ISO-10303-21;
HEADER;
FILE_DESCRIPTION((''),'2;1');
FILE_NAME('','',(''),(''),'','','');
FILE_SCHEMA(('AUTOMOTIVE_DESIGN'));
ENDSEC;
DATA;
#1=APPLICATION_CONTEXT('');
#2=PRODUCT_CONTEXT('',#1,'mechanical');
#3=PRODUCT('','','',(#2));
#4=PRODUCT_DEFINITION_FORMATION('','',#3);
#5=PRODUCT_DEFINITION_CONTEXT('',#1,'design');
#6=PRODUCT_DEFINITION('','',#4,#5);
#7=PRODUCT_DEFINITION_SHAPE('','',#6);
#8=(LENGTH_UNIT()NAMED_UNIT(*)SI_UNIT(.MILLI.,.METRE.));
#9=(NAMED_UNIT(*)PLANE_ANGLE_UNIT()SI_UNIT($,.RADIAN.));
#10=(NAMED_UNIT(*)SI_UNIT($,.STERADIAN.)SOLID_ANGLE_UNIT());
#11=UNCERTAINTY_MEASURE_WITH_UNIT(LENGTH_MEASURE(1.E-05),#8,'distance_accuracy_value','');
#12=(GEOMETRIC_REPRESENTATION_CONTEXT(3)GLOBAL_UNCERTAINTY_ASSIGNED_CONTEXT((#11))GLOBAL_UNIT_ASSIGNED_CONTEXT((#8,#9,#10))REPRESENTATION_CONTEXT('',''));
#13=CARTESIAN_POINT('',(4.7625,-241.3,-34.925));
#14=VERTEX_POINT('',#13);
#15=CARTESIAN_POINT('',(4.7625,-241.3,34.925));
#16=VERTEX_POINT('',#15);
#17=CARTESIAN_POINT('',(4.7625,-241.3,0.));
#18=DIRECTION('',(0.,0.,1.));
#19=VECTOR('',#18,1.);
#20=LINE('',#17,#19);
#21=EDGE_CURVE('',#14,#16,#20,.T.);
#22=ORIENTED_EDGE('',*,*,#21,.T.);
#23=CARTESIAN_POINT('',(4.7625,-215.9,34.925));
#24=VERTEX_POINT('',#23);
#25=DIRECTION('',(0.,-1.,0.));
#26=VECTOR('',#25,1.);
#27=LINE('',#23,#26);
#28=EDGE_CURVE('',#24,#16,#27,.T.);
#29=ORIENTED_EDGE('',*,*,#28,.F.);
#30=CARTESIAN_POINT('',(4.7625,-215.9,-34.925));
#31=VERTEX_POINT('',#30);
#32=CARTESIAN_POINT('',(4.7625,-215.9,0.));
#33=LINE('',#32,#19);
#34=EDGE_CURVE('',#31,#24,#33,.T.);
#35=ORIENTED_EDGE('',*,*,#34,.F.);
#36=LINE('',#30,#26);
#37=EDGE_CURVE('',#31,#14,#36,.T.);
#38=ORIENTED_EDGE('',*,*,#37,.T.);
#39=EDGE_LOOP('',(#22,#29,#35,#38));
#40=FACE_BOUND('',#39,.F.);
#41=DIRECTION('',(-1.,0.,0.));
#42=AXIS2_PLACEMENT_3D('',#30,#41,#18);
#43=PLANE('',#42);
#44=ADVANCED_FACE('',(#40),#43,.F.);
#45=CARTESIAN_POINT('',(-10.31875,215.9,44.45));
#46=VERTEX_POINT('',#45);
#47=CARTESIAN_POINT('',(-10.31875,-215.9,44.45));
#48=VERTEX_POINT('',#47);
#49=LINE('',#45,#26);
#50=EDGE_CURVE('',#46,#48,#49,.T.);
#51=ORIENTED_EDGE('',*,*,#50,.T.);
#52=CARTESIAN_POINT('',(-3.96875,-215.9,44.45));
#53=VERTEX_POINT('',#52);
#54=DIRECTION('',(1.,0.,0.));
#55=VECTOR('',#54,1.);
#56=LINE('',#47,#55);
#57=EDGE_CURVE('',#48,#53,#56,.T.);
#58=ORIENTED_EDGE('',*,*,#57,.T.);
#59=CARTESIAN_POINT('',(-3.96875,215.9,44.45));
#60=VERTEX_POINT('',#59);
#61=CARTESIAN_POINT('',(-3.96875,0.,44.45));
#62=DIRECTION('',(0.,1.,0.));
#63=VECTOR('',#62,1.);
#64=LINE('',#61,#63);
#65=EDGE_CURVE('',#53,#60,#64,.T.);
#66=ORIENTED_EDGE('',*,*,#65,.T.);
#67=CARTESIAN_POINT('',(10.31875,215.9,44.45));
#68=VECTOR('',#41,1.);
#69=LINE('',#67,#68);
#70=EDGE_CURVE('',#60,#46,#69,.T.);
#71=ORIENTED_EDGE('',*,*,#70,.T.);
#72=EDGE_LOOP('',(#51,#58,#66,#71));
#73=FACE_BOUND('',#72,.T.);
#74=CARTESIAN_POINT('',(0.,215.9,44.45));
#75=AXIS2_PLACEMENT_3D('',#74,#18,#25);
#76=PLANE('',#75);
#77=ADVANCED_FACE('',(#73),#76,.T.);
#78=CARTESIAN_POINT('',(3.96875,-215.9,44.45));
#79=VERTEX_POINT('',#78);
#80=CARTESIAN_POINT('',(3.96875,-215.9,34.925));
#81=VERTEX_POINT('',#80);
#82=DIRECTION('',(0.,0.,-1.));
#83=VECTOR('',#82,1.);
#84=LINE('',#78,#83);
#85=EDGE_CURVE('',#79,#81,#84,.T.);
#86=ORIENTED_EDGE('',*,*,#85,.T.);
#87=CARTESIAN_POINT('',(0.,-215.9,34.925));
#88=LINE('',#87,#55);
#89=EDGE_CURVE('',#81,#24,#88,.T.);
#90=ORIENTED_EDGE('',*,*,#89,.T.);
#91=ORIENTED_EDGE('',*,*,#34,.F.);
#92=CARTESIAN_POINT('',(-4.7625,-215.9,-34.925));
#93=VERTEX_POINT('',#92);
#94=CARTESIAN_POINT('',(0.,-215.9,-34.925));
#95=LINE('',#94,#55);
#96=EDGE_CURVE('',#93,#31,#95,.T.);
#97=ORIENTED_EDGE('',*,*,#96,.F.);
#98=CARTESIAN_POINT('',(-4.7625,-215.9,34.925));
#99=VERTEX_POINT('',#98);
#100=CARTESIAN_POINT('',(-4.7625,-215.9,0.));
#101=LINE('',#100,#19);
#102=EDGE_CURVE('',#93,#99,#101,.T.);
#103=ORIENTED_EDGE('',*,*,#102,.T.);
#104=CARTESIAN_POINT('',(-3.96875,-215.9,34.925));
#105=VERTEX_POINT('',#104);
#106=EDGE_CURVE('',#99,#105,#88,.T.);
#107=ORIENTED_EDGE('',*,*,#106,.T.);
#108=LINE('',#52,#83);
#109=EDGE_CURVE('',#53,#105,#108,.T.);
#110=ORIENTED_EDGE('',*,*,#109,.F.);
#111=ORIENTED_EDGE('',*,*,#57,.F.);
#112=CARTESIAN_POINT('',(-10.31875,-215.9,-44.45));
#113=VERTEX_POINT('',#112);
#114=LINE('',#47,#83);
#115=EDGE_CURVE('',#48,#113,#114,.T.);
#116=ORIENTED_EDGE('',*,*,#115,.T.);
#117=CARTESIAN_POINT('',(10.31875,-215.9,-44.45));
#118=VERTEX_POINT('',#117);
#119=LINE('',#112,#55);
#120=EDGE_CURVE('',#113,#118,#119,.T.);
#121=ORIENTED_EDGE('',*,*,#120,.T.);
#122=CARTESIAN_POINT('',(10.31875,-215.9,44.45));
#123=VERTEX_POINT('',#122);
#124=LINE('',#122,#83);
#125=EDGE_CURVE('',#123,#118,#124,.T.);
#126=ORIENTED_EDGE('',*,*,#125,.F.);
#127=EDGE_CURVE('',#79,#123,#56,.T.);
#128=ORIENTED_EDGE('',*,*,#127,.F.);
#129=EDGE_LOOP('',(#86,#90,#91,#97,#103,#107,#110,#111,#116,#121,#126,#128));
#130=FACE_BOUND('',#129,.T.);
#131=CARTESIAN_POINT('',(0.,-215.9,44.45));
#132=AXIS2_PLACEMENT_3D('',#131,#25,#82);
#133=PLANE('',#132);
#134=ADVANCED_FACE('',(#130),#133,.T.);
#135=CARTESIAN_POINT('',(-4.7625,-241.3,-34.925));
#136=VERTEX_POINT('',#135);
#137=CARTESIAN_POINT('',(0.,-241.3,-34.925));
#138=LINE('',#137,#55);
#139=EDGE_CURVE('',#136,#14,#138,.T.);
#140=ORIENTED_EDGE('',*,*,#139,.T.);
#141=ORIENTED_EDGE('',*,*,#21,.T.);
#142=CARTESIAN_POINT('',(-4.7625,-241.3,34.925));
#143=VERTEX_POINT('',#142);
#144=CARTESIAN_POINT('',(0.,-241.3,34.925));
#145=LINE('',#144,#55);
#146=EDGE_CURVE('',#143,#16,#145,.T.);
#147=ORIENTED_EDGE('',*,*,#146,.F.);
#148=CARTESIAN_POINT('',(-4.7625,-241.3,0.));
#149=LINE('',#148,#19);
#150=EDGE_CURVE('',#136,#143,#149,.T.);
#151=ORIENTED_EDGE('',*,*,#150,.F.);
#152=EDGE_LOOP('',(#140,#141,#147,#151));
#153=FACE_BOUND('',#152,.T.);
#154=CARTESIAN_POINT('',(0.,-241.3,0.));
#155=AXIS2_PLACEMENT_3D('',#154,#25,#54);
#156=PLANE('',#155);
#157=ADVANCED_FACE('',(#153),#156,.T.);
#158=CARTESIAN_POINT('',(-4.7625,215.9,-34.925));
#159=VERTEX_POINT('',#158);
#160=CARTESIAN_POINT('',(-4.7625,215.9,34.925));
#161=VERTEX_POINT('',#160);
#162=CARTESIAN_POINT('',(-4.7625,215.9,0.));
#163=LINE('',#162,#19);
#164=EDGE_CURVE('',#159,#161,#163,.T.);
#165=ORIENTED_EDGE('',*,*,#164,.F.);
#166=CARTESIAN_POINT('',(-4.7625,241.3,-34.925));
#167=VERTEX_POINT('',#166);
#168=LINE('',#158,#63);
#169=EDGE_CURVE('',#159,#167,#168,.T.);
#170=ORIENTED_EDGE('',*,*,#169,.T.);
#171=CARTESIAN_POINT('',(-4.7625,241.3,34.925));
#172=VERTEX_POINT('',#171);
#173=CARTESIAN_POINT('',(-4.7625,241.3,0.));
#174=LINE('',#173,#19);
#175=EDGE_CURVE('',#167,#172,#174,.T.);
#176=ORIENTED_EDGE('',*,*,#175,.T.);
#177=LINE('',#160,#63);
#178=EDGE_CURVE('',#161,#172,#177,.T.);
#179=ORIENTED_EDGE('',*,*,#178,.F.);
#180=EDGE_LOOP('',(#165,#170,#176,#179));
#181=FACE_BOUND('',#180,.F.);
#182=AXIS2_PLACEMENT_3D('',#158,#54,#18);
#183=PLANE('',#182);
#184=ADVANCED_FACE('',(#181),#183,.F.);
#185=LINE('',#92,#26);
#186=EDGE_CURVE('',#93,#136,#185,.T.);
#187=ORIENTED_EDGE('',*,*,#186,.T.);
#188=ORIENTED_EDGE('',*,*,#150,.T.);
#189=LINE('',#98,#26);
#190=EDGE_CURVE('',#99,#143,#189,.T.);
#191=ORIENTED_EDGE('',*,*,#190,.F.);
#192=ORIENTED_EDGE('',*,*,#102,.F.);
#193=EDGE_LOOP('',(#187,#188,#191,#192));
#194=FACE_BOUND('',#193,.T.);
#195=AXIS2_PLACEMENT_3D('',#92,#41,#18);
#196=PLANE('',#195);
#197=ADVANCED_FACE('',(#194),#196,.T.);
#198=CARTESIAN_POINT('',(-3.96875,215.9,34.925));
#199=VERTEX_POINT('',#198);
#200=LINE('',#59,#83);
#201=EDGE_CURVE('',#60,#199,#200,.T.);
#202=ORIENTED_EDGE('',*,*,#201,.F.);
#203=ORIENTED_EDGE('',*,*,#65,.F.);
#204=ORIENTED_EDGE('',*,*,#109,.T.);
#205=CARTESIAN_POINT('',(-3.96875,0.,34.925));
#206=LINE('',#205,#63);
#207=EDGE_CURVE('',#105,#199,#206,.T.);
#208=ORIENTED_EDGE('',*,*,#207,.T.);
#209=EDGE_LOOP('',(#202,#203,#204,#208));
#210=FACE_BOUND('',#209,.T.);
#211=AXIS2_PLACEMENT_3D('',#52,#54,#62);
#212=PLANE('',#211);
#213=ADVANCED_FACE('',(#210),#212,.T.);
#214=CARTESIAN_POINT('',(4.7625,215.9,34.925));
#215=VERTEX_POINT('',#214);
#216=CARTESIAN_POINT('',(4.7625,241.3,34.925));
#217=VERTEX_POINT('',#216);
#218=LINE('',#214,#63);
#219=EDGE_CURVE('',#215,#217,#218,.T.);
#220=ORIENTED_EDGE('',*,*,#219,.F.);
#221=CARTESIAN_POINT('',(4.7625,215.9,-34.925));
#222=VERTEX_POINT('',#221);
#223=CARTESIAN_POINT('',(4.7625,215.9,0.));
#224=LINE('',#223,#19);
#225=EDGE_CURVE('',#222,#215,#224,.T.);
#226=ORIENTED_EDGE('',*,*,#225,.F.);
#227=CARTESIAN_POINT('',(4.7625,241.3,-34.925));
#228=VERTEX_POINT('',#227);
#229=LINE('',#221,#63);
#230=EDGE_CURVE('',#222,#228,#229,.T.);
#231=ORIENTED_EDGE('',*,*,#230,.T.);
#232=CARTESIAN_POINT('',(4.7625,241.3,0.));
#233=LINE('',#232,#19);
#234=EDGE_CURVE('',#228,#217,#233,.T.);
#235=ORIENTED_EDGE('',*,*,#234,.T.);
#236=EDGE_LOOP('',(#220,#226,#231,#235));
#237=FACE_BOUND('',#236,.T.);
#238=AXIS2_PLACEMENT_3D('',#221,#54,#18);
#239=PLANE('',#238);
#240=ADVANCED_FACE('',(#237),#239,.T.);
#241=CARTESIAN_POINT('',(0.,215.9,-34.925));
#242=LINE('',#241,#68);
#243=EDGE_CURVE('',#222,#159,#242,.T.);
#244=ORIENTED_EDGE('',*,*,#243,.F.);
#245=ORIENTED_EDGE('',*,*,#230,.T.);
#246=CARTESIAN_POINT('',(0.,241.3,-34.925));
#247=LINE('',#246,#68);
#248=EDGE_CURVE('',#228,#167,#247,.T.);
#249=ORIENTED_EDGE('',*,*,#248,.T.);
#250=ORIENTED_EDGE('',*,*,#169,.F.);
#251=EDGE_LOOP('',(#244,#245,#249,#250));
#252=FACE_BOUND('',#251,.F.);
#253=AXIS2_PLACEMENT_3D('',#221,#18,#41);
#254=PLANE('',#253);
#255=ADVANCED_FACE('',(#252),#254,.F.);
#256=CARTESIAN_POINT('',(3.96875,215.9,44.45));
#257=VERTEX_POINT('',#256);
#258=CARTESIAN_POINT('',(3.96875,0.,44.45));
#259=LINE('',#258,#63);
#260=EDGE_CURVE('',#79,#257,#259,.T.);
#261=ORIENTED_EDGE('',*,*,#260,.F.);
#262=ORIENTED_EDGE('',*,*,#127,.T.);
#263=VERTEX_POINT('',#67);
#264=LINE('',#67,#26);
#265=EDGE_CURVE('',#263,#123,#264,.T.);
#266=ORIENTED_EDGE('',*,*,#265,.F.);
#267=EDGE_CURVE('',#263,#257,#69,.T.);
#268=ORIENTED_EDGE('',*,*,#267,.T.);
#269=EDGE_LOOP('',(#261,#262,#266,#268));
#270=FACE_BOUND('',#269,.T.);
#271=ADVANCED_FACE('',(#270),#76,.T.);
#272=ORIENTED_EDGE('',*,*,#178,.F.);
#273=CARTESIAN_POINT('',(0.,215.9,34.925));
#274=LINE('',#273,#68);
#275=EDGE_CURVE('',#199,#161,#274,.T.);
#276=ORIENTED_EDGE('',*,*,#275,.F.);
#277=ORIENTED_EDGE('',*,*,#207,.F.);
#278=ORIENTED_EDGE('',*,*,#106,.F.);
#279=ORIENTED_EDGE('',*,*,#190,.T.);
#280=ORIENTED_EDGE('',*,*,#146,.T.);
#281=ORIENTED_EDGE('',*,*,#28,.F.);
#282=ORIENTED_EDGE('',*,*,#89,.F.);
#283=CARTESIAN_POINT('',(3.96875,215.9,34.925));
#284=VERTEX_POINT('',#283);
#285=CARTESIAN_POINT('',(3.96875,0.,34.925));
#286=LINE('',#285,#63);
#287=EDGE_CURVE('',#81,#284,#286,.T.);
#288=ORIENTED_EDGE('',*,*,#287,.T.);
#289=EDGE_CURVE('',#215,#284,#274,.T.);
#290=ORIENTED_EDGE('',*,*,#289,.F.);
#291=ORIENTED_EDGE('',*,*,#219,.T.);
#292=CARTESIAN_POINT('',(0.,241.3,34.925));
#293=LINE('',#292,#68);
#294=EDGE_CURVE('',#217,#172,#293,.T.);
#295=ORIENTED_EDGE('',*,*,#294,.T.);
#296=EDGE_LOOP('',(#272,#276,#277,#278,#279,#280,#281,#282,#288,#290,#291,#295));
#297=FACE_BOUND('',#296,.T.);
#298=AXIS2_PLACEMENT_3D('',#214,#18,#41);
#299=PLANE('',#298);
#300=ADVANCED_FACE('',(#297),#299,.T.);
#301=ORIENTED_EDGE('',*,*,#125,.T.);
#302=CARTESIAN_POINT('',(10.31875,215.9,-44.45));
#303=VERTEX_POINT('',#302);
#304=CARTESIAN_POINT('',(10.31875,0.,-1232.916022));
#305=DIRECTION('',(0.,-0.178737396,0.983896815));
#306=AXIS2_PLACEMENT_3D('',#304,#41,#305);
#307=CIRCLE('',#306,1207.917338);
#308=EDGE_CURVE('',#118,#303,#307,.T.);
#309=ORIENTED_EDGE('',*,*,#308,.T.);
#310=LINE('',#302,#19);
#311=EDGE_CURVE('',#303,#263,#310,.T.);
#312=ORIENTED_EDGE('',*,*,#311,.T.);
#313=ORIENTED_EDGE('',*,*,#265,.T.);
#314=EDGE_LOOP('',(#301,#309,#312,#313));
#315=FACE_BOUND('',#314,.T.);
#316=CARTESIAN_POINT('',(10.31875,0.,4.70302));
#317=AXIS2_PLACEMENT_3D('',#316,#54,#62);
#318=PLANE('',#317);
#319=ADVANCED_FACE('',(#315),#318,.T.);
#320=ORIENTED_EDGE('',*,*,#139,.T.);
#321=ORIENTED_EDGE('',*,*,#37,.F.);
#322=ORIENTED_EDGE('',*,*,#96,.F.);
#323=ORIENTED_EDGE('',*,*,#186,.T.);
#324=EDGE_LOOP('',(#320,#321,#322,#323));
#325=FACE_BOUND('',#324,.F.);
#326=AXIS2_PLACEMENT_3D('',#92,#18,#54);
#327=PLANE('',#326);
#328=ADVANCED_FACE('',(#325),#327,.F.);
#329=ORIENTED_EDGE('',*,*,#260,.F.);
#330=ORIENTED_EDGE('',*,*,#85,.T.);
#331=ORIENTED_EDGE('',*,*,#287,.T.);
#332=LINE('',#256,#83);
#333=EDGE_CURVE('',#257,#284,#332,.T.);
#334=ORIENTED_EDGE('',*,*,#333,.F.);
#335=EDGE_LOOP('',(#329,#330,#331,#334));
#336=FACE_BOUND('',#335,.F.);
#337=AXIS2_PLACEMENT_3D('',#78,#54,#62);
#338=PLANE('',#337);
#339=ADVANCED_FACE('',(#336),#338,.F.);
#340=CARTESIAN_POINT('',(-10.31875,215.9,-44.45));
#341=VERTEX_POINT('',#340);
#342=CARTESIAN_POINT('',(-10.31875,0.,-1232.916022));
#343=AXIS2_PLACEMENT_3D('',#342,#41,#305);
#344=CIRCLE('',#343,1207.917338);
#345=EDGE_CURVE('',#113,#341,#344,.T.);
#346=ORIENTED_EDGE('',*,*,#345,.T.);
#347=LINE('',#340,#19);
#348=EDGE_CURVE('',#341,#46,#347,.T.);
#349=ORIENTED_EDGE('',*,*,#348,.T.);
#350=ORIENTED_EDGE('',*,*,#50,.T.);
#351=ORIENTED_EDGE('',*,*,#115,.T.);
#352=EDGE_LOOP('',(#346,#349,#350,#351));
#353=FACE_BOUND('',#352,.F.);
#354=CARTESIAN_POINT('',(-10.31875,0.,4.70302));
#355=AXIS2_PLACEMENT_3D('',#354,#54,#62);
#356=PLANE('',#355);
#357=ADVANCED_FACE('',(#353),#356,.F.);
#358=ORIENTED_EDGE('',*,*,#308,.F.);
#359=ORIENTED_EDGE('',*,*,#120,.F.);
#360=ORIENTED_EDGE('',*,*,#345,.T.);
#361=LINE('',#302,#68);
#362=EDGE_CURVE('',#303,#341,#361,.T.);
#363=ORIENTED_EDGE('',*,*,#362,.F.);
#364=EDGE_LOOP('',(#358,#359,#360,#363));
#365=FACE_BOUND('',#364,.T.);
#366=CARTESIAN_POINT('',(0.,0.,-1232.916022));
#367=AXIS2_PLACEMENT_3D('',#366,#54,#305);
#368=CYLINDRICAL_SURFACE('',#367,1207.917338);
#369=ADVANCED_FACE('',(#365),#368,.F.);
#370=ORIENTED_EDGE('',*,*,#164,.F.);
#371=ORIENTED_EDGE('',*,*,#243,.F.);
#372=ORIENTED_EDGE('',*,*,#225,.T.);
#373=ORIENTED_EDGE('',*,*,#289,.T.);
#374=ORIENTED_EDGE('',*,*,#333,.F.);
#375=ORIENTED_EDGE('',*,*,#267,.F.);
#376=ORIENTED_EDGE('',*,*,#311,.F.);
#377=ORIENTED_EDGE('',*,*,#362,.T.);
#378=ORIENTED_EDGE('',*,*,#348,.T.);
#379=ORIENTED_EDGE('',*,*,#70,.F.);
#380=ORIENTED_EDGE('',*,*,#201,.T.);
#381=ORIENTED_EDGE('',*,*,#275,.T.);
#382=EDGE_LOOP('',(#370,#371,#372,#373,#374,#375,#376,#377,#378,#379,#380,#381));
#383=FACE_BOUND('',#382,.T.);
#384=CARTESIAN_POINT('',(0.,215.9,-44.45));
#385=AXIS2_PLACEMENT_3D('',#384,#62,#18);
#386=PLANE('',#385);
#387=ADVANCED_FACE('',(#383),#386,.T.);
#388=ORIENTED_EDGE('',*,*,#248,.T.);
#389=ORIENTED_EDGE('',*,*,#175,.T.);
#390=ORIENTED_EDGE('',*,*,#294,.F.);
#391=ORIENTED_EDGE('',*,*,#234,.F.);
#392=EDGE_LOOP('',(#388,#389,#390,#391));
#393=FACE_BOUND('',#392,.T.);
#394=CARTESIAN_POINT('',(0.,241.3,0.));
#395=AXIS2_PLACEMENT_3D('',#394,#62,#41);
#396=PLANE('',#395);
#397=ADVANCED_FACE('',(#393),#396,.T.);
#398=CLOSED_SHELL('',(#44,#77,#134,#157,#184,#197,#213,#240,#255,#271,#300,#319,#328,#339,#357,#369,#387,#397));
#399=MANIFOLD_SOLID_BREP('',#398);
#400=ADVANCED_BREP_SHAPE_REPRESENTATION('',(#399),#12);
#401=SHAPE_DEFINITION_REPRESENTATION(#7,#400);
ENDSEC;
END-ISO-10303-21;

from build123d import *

# Parameters (mm, degrees)
F1_DEPTH = 10.31875
F2_W     = 9.525
F2_H     = 69.85
F3_DEPTH = 25.4
F4_W     = 9.525
F4_H     = 69.85
F5_DEPTH = 25.4
F6_W     = 7.9375
F6_H     = 431.8
F7_DEPTH = 9.525


with BuildPart() as f1:
    # F0 (on Right) → F1 (new body, symmetric)
    with BuildSketch(Plane.YZ):
        with BuildLine():
            Line((215.9, 44.45), (-215.9, 44.45))
            Line((-215.9, 44.45), (-215.9, -44.45))
            ThreePointArc((-215.9, -44.45), (0, -24.998684), (215.9, -44.45))
            Line((215.9, -44.45), (215.9, 44.45))
        make_face()
    extrude(amount=F1_DEPTH, both=True)

    # F2 (on face) → F3 (join)
    with BuildSketch(Plane.XZ.offset(215.9)):
        Rectangle(F2_W, F2_H)
    extrude(amount=F3_DEPTH)

    # F4 (on face) → F5 (join)
    with BuildSketch(Plane(origin=(0, 215.9, 0), x_dir=(-1, 0, 0), z_dir=(0, 1, 0))):
        Rectangle(F4_W, F4_H)
    extrude(amount=F5_DEPTH)

    # F6 (on face) → F7 (cut)
    with BuildSketch(Plane.XY.offset(44.45)):
        Rectangle(F6_W, F6_H)
    extrude(amount=-F7_DEPTH, mode=Mode.SUBTRACT)


solid = f1.part
